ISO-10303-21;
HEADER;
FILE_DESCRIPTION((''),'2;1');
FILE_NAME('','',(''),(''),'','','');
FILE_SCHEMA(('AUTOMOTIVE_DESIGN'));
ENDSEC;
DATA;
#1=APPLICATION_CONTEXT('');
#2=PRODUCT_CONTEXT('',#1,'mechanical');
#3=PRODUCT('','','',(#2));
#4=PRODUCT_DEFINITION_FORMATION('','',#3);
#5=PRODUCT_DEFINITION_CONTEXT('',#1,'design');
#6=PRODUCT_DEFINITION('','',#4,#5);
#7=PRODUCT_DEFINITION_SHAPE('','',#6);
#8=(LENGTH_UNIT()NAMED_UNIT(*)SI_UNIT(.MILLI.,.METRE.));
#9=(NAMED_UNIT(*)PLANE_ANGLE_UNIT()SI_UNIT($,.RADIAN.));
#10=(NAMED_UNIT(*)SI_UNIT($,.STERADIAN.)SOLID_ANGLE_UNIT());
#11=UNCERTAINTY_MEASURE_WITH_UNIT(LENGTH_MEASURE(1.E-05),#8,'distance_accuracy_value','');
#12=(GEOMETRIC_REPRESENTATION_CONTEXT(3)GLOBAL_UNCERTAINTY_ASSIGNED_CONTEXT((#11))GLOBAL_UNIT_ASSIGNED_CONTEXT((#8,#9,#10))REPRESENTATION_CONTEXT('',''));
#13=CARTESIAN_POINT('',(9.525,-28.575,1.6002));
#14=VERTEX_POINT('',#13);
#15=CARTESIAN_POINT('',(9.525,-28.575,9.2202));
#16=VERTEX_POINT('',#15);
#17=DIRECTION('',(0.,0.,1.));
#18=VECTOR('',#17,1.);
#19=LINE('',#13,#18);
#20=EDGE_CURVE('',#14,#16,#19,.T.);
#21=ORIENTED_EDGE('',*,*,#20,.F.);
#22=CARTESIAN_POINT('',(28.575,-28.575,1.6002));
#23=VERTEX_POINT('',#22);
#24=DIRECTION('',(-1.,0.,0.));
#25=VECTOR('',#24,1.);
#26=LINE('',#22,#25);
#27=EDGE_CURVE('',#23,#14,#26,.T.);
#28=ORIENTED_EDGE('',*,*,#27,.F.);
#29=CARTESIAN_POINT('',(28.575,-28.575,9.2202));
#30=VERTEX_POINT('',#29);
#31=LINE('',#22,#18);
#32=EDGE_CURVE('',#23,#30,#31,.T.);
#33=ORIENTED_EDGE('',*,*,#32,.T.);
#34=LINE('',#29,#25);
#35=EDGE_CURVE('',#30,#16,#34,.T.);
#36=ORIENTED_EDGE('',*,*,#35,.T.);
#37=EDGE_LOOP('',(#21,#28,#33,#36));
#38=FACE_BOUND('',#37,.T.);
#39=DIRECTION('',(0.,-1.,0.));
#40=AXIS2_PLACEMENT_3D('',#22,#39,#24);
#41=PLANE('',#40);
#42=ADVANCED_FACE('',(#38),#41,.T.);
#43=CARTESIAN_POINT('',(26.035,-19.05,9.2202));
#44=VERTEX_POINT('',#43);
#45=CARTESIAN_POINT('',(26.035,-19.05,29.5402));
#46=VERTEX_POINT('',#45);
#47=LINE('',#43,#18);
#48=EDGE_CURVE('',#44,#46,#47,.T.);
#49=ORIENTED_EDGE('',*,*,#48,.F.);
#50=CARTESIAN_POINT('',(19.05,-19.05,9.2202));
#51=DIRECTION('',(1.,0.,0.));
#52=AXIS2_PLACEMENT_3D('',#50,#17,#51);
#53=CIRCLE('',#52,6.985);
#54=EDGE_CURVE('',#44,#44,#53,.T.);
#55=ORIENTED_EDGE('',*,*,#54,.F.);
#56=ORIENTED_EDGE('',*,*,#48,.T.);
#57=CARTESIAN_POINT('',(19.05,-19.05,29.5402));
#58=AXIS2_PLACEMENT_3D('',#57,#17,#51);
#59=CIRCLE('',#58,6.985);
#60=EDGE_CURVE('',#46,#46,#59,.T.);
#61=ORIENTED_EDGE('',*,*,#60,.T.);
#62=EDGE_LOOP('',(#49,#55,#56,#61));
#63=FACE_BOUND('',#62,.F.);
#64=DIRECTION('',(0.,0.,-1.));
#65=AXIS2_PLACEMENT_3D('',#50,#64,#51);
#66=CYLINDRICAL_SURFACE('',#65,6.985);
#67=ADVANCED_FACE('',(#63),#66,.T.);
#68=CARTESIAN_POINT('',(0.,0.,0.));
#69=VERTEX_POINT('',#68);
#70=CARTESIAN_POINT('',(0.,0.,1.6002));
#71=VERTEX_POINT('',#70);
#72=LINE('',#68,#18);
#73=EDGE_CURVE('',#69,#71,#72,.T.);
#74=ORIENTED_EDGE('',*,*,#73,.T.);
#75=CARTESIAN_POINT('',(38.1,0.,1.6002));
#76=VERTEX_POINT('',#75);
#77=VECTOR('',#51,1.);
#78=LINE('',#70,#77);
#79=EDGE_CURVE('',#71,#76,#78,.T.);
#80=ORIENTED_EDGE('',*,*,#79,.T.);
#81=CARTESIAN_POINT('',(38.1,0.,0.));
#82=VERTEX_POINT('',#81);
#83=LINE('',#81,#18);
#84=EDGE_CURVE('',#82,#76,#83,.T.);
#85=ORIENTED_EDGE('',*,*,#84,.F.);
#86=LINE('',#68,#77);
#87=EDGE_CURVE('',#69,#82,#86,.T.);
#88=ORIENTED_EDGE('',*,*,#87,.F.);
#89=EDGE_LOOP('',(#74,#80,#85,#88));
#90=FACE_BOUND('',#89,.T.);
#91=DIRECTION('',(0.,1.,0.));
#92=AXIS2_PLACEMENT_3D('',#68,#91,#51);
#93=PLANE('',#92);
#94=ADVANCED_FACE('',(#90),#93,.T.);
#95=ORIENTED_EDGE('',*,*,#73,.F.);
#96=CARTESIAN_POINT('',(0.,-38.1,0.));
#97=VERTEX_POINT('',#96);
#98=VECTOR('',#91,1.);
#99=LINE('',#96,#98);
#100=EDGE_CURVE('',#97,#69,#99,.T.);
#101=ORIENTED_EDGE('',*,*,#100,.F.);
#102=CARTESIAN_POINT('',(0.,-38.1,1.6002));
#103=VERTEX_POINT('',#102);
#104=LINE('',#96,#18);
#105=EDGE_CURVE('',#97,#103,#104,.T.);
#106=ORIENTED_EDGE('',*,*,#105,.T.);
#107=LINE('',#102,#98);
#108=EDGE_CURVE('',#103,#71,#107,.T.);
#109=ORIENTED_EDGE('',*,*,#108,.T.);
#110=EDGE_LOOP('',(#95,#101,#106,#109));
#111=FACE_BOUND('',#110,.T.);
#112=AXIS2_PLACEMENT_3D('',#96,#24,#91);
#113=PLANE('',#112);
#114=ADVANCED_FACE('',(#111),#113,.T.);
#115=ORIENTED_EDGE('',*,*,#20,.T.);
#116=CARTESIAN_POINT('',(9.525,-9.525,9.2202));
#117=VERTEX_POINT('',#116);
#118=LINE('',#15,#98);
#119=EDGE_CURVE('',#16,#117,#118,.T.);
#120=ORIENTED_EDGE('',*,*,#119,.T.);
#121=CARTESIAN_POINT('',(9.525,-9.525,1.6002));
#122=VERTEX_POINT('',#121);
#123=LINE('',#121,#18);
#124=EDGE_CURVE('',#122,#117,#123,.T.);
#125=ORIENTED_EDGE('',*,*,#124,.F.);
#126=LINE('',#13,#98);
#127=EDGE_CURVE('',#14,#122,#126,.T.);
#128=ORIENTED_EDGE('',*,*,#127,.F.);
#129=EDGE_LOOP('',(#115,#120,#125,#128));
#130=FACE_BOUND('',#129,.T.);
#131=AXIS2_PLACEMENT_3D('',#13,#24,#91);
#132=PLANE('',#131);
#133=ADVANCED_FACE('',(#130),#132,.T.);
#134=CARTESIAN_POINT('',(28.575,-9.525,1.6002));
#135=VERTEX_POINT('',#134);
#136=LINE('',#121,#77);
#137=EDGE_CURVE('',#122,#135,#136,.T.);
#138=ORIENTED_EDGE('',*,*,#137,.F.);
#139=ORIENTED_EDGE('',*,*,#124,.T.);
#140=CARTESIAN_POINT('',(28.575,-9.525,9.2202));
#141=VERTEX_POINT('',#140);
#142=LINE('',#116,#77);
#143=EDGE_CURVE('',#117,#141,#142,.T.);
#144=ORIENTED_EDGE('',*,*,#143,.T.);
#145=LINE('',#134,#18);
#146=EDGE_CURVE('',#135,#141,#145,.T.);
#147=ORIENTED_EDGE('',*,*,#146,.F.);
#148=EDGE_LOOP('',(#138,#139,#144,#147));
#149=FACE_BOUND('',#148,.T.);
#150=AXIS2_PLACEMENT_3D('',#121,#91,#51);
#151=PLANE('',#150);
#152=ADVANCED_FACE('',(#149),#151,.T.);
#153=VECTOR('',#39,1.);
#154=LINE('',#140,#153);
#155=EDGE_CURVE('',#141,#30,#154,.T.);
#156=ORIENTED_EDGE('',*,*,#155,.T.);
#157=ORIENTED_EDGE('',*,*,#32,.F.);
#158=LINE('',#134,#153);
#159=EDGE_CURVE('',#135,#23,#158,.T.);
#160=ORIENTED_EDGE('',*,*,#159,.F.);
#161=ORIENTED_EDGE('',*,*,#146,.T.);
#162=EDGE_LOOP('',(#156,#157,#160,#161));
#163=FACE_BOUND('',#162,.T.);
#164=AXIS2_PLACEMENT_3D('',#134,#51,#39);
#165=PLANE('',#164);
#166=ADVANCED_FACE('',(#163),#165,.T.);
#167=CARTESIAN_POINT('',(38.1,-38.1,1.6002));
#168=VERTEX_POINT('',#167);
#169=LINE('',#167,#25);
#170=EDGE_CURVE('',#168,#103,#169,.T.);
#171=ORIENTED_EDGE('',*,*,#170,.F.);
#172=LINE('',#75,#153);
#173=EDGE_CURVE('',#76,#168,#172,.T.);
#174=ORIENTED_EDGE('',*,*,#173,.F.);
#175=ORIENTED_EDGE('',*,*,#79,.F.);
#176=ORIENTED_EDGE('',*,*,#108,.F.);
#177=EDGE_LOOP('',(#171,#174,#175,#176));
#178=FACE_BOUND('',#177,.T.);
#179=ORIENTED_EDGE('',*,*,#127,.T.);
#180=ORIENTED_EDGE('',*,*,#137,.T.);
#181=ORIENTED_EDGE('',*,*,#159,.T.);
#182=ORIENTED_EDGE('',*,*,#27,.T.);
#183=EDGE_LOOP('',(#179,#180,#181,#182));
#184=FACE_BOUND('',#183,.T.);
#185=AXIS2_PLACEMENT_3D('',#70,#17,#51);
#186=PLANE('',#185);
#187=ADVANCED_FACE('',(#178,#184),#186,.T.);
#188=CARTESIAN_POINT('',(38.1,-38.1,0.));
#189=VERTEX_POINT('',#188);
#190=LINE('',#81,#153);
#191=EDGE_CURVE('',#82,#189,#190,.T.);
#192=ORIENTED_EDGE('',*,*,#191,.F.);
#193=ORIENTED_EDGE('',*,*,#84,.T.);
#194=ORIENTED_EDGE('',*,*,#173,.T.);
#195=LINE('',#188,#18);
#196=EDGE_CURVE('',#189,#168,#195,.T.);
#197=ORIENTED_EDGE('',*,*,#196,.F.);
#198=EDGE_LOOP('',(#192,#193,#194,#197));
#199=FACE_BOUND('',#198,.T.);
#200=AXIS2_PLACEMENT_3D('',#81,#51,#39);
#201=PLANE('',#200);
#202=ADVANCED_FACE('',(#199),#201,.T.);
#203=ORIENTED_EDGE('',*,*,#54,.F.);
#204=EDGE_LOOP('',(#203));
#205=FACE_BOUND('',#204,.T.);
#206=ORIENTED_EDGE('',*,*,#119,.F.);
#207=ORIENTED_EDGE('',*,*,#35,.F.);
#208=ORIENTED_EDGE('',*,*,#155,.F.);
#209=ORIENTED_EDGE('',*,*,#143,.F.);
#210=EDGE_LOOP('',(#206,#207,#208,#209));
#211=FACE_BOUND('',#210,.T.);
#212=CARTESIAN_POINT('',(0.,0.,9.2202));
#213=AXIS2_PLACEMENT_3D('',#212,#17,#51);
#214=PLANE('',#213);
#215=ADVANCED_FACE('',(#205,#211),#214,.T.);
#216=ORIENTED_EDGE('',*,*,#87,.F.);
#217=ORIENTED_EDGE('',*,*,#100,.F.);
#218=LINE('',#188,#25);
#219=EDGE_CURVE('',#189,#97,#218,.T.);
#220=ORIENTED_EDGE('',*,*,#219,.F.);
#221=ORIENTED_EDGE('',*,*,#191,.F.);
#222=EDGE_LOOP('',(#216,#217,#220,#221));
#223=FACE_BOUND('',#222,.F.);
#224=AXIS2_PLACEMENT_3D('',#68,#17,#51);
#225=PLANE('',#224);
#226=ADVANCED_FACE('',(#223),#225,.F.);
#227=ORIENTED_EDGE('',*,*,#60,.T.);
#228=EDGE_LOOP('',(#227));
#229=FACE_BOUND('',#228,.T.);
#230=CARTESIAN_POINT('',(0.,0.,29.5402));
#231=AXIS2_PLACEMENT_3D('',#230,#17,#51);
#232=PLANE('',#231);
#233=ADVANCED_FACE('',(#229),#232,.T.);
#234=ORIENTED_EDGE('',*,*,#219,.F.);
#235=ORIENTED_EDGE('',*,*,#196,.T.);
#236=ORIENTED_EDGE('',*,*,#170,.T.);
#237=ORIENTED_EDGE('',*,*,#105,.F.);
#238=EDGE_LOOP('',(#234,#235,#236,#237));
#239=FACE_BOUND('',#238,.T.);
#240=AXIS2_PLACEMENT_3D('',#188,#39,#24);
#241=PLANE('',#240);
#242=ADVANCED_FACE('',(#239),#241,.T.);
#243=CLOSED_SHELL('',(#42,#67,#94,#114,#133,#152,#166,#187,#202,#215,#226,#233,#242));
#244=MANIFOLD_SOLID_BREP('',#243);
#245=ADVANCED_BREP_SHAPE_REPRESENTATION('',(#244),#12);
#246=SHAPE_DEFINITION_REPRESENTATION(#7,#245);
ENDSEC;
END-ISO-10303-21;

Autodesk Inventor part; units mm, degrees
ref_plane "YZ Plane" through (0, 0, 0) normal (1, 0, 0) x (0, 1, 0)
ref_plane "XZ Plane" through (0, 0, 0) normal (0, 1, 0) x (-1, 0, 0)
ref_plane "XY Plane" through (0, 0, 0) normal (0, 0, 1) x (1, 0, 0)
sketch "Sketch1" plane through (0, 0, 0) normal (0, 0, 1) x (1, 0, 0)
  line L0 (0, 0) -> (38.1, 0)
  line L1 (38.1, 0) -> (38.1, -38.1)
  line L2 (38.1, -38.1) -> (0, -38.1)
  line L3 (0, -38.1) -> (0, 0)
  dimension "d0" = 38.1
  dimension "d1" = 38.1
extrude "Extrusion1" add sketch "Sketch1" along normal blind 1.6002
sketch "Sketch2" plane through (0, 0, 1.6002) normal (0, 0, 1) x (1, 0, 0)
  line L0 (38.1, 0) -> (0, 0) projected
  line L1 (0, 0) -> (0, -38.1) projected
  line L2 (0, -38.1) -> (38.1, -38.1) projected
  line L3 (38.1, -38.1) -> (38.1, 0) projected
  line L4 (9.525, -9.525) -> (28.575, -9.525)
  line L5 (28.575, -9.525) -> (28.575, -28.575)
  line L6 (28.575, -28.575) -> (9.525, -28.575)
  line L7 (9.525, -28.575) -> (9.525, -9.525)
  dimension "d4" = 9.525
  dimension "d5" = 9.525
  dimension "d6" = 9.525
  dimension "d7" = 9.525
extrude "Extrusion2" add sketch "Sketch2" along normal blind 7.62 contours L4 L5 L6 L7
sketch "Sketch3" plane through (0, 0, 9.2202) normal (0, 0, 1) x (1, 0, 0)
  circle A0 centre (19.05, -19.05) radius 6.985
  point P0 (0, 0)
  dimension "d10" = 13.97
extrude "Extrusion3" add sketch "Sketch3" along normal blind 20.32
properties part number "Camera" material "ABS Plastic"
